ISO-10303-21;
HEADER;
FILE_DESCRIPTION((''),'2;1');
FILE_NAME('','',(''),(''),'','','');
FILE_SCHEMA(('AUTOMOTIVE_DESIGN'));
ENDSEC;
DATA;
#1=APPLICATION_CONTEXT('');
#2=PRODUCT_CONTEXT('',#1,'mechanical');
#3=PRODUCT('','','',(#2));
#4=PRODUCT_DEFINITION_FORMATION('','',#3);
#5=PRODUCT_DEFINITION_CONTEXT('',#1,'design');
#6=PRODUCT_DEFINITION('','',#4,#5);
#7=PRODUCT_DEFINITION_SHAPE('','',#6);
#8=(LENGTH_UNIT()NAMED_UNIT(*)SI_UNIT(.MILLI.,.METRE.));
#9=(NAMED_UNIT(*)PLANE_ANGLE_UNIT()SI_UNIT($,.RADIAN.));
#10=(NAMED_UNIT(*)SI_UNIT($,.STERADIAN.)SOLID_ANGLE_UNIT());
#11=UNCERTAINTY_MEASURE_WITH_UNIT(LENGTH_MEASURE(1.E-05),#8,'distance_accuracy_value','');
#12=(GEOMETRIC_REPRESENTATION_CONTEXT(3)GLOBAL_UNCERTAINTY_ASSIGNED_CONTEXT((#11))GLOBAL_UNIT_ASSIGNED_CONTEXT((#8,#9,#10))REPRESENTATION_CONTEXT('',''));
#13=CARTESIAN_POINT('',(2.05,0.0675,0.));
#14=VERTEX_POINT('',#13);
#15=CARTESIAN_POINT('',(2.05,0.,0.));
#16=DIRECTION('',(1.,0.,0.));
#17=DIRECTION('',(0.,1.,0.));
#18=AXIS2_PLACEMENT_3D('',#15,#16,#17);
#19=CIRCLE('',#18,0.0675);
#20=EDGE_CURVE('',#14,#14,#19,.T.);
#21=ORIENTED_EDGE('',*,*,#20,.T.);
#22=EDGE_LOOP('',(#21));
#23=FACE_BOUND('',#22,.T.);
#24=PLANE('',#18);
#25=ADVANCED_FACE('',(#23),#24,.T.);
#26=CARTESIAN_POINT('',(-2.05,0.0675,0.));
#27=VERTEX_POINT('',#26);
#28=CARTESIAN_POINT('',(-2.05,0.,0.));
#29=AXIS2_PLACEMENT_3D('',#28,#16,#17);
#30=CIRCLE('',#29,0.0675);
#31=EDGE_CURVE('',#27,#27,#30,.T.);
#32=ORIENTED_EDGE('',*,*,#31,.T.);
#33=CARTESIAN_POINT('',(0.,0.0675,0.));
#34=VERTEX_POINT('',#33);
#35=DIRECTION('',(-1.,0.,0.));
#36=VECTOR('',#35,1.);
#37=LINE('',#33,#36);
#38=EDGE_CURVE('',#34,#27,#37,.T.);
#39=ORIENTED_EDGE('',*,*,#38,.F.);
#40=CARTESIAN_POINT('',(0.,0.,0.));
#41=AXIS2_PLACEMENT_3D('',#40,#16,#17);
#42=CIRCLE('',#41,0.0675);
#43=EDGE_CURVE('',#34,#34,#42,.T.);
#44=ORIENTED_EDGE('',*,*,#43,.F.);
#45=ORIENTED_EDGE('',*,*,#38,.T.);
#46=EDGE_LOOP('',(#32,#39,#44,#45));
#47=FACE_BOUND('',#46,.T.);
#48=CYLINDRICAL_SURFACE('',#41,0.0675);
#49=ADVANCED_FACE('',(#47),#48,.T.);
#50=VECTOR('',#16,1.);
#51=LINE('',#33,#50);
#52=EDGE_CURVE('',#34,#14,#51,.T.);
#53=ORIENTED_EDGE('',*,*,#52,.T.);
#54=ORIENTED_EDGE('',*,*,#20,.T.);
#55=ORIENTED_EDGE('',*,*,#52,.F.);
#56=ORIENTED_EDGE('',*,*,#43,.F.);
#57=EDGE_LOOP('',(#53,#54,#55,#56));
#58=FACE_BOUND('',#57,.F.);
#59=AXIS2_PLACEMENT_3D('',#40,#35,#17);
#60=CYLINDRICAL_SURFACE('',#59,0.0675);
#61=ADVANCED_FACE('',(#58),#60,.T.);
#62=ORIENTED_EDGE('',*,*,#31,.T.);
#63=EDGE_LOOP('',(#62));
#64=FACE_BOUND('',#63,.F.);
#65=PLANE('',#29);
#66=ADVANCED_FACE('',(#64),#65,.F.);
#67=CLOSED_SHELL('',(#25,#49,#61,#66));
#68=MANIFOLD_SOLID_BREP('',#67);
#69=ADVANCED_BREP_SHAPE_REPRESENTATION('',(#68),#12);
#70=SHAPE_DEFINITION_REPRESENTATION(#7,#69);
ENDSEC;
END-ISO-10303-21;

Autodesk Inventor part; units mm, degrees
ref_plane "YZ Plane" through (0, 0, 0) normal (1, 0, 0) x (0, 1, 0)
ref_plane "XZ Plane" through (0, 0, 0) normal (0, 1, 0) x (-1, 0, 0)
ref_plane "XY Plane" through (0, 0, 0) normal (0, 0, 1) x (1, 0, 0)
sketch "Sketch1" plane through (0, 0, 0) normal (1, 0, 0) x (0, 1, 0)
  circle A0 centre (0, 0) radius 0.0675
  dimension "d0" = 0.135
extrude "Extrusion1" add sketch "Sketch1" along normal mid plane 4.1
equation "\"BendRadius\" = Thickness"
equation "\"BendReliefWidth\" = Thickness"
equation "\"BendReliefDepth\" = 0.5 * Thickness"
equation "\"CornerReliefSize\" = 4 * Thickness"
equation "\"MinimumRemnant\" = 2 * Thickness"
equation "\"TransitionRadius\" = BendRadius"
equation "\"JacobiRadiusSize\" = BendRadius"
equation "\"GapSize\" = Thickness"
equation "\"Thickness\" = 3.048"
properties part number "4mmSicFilament"
